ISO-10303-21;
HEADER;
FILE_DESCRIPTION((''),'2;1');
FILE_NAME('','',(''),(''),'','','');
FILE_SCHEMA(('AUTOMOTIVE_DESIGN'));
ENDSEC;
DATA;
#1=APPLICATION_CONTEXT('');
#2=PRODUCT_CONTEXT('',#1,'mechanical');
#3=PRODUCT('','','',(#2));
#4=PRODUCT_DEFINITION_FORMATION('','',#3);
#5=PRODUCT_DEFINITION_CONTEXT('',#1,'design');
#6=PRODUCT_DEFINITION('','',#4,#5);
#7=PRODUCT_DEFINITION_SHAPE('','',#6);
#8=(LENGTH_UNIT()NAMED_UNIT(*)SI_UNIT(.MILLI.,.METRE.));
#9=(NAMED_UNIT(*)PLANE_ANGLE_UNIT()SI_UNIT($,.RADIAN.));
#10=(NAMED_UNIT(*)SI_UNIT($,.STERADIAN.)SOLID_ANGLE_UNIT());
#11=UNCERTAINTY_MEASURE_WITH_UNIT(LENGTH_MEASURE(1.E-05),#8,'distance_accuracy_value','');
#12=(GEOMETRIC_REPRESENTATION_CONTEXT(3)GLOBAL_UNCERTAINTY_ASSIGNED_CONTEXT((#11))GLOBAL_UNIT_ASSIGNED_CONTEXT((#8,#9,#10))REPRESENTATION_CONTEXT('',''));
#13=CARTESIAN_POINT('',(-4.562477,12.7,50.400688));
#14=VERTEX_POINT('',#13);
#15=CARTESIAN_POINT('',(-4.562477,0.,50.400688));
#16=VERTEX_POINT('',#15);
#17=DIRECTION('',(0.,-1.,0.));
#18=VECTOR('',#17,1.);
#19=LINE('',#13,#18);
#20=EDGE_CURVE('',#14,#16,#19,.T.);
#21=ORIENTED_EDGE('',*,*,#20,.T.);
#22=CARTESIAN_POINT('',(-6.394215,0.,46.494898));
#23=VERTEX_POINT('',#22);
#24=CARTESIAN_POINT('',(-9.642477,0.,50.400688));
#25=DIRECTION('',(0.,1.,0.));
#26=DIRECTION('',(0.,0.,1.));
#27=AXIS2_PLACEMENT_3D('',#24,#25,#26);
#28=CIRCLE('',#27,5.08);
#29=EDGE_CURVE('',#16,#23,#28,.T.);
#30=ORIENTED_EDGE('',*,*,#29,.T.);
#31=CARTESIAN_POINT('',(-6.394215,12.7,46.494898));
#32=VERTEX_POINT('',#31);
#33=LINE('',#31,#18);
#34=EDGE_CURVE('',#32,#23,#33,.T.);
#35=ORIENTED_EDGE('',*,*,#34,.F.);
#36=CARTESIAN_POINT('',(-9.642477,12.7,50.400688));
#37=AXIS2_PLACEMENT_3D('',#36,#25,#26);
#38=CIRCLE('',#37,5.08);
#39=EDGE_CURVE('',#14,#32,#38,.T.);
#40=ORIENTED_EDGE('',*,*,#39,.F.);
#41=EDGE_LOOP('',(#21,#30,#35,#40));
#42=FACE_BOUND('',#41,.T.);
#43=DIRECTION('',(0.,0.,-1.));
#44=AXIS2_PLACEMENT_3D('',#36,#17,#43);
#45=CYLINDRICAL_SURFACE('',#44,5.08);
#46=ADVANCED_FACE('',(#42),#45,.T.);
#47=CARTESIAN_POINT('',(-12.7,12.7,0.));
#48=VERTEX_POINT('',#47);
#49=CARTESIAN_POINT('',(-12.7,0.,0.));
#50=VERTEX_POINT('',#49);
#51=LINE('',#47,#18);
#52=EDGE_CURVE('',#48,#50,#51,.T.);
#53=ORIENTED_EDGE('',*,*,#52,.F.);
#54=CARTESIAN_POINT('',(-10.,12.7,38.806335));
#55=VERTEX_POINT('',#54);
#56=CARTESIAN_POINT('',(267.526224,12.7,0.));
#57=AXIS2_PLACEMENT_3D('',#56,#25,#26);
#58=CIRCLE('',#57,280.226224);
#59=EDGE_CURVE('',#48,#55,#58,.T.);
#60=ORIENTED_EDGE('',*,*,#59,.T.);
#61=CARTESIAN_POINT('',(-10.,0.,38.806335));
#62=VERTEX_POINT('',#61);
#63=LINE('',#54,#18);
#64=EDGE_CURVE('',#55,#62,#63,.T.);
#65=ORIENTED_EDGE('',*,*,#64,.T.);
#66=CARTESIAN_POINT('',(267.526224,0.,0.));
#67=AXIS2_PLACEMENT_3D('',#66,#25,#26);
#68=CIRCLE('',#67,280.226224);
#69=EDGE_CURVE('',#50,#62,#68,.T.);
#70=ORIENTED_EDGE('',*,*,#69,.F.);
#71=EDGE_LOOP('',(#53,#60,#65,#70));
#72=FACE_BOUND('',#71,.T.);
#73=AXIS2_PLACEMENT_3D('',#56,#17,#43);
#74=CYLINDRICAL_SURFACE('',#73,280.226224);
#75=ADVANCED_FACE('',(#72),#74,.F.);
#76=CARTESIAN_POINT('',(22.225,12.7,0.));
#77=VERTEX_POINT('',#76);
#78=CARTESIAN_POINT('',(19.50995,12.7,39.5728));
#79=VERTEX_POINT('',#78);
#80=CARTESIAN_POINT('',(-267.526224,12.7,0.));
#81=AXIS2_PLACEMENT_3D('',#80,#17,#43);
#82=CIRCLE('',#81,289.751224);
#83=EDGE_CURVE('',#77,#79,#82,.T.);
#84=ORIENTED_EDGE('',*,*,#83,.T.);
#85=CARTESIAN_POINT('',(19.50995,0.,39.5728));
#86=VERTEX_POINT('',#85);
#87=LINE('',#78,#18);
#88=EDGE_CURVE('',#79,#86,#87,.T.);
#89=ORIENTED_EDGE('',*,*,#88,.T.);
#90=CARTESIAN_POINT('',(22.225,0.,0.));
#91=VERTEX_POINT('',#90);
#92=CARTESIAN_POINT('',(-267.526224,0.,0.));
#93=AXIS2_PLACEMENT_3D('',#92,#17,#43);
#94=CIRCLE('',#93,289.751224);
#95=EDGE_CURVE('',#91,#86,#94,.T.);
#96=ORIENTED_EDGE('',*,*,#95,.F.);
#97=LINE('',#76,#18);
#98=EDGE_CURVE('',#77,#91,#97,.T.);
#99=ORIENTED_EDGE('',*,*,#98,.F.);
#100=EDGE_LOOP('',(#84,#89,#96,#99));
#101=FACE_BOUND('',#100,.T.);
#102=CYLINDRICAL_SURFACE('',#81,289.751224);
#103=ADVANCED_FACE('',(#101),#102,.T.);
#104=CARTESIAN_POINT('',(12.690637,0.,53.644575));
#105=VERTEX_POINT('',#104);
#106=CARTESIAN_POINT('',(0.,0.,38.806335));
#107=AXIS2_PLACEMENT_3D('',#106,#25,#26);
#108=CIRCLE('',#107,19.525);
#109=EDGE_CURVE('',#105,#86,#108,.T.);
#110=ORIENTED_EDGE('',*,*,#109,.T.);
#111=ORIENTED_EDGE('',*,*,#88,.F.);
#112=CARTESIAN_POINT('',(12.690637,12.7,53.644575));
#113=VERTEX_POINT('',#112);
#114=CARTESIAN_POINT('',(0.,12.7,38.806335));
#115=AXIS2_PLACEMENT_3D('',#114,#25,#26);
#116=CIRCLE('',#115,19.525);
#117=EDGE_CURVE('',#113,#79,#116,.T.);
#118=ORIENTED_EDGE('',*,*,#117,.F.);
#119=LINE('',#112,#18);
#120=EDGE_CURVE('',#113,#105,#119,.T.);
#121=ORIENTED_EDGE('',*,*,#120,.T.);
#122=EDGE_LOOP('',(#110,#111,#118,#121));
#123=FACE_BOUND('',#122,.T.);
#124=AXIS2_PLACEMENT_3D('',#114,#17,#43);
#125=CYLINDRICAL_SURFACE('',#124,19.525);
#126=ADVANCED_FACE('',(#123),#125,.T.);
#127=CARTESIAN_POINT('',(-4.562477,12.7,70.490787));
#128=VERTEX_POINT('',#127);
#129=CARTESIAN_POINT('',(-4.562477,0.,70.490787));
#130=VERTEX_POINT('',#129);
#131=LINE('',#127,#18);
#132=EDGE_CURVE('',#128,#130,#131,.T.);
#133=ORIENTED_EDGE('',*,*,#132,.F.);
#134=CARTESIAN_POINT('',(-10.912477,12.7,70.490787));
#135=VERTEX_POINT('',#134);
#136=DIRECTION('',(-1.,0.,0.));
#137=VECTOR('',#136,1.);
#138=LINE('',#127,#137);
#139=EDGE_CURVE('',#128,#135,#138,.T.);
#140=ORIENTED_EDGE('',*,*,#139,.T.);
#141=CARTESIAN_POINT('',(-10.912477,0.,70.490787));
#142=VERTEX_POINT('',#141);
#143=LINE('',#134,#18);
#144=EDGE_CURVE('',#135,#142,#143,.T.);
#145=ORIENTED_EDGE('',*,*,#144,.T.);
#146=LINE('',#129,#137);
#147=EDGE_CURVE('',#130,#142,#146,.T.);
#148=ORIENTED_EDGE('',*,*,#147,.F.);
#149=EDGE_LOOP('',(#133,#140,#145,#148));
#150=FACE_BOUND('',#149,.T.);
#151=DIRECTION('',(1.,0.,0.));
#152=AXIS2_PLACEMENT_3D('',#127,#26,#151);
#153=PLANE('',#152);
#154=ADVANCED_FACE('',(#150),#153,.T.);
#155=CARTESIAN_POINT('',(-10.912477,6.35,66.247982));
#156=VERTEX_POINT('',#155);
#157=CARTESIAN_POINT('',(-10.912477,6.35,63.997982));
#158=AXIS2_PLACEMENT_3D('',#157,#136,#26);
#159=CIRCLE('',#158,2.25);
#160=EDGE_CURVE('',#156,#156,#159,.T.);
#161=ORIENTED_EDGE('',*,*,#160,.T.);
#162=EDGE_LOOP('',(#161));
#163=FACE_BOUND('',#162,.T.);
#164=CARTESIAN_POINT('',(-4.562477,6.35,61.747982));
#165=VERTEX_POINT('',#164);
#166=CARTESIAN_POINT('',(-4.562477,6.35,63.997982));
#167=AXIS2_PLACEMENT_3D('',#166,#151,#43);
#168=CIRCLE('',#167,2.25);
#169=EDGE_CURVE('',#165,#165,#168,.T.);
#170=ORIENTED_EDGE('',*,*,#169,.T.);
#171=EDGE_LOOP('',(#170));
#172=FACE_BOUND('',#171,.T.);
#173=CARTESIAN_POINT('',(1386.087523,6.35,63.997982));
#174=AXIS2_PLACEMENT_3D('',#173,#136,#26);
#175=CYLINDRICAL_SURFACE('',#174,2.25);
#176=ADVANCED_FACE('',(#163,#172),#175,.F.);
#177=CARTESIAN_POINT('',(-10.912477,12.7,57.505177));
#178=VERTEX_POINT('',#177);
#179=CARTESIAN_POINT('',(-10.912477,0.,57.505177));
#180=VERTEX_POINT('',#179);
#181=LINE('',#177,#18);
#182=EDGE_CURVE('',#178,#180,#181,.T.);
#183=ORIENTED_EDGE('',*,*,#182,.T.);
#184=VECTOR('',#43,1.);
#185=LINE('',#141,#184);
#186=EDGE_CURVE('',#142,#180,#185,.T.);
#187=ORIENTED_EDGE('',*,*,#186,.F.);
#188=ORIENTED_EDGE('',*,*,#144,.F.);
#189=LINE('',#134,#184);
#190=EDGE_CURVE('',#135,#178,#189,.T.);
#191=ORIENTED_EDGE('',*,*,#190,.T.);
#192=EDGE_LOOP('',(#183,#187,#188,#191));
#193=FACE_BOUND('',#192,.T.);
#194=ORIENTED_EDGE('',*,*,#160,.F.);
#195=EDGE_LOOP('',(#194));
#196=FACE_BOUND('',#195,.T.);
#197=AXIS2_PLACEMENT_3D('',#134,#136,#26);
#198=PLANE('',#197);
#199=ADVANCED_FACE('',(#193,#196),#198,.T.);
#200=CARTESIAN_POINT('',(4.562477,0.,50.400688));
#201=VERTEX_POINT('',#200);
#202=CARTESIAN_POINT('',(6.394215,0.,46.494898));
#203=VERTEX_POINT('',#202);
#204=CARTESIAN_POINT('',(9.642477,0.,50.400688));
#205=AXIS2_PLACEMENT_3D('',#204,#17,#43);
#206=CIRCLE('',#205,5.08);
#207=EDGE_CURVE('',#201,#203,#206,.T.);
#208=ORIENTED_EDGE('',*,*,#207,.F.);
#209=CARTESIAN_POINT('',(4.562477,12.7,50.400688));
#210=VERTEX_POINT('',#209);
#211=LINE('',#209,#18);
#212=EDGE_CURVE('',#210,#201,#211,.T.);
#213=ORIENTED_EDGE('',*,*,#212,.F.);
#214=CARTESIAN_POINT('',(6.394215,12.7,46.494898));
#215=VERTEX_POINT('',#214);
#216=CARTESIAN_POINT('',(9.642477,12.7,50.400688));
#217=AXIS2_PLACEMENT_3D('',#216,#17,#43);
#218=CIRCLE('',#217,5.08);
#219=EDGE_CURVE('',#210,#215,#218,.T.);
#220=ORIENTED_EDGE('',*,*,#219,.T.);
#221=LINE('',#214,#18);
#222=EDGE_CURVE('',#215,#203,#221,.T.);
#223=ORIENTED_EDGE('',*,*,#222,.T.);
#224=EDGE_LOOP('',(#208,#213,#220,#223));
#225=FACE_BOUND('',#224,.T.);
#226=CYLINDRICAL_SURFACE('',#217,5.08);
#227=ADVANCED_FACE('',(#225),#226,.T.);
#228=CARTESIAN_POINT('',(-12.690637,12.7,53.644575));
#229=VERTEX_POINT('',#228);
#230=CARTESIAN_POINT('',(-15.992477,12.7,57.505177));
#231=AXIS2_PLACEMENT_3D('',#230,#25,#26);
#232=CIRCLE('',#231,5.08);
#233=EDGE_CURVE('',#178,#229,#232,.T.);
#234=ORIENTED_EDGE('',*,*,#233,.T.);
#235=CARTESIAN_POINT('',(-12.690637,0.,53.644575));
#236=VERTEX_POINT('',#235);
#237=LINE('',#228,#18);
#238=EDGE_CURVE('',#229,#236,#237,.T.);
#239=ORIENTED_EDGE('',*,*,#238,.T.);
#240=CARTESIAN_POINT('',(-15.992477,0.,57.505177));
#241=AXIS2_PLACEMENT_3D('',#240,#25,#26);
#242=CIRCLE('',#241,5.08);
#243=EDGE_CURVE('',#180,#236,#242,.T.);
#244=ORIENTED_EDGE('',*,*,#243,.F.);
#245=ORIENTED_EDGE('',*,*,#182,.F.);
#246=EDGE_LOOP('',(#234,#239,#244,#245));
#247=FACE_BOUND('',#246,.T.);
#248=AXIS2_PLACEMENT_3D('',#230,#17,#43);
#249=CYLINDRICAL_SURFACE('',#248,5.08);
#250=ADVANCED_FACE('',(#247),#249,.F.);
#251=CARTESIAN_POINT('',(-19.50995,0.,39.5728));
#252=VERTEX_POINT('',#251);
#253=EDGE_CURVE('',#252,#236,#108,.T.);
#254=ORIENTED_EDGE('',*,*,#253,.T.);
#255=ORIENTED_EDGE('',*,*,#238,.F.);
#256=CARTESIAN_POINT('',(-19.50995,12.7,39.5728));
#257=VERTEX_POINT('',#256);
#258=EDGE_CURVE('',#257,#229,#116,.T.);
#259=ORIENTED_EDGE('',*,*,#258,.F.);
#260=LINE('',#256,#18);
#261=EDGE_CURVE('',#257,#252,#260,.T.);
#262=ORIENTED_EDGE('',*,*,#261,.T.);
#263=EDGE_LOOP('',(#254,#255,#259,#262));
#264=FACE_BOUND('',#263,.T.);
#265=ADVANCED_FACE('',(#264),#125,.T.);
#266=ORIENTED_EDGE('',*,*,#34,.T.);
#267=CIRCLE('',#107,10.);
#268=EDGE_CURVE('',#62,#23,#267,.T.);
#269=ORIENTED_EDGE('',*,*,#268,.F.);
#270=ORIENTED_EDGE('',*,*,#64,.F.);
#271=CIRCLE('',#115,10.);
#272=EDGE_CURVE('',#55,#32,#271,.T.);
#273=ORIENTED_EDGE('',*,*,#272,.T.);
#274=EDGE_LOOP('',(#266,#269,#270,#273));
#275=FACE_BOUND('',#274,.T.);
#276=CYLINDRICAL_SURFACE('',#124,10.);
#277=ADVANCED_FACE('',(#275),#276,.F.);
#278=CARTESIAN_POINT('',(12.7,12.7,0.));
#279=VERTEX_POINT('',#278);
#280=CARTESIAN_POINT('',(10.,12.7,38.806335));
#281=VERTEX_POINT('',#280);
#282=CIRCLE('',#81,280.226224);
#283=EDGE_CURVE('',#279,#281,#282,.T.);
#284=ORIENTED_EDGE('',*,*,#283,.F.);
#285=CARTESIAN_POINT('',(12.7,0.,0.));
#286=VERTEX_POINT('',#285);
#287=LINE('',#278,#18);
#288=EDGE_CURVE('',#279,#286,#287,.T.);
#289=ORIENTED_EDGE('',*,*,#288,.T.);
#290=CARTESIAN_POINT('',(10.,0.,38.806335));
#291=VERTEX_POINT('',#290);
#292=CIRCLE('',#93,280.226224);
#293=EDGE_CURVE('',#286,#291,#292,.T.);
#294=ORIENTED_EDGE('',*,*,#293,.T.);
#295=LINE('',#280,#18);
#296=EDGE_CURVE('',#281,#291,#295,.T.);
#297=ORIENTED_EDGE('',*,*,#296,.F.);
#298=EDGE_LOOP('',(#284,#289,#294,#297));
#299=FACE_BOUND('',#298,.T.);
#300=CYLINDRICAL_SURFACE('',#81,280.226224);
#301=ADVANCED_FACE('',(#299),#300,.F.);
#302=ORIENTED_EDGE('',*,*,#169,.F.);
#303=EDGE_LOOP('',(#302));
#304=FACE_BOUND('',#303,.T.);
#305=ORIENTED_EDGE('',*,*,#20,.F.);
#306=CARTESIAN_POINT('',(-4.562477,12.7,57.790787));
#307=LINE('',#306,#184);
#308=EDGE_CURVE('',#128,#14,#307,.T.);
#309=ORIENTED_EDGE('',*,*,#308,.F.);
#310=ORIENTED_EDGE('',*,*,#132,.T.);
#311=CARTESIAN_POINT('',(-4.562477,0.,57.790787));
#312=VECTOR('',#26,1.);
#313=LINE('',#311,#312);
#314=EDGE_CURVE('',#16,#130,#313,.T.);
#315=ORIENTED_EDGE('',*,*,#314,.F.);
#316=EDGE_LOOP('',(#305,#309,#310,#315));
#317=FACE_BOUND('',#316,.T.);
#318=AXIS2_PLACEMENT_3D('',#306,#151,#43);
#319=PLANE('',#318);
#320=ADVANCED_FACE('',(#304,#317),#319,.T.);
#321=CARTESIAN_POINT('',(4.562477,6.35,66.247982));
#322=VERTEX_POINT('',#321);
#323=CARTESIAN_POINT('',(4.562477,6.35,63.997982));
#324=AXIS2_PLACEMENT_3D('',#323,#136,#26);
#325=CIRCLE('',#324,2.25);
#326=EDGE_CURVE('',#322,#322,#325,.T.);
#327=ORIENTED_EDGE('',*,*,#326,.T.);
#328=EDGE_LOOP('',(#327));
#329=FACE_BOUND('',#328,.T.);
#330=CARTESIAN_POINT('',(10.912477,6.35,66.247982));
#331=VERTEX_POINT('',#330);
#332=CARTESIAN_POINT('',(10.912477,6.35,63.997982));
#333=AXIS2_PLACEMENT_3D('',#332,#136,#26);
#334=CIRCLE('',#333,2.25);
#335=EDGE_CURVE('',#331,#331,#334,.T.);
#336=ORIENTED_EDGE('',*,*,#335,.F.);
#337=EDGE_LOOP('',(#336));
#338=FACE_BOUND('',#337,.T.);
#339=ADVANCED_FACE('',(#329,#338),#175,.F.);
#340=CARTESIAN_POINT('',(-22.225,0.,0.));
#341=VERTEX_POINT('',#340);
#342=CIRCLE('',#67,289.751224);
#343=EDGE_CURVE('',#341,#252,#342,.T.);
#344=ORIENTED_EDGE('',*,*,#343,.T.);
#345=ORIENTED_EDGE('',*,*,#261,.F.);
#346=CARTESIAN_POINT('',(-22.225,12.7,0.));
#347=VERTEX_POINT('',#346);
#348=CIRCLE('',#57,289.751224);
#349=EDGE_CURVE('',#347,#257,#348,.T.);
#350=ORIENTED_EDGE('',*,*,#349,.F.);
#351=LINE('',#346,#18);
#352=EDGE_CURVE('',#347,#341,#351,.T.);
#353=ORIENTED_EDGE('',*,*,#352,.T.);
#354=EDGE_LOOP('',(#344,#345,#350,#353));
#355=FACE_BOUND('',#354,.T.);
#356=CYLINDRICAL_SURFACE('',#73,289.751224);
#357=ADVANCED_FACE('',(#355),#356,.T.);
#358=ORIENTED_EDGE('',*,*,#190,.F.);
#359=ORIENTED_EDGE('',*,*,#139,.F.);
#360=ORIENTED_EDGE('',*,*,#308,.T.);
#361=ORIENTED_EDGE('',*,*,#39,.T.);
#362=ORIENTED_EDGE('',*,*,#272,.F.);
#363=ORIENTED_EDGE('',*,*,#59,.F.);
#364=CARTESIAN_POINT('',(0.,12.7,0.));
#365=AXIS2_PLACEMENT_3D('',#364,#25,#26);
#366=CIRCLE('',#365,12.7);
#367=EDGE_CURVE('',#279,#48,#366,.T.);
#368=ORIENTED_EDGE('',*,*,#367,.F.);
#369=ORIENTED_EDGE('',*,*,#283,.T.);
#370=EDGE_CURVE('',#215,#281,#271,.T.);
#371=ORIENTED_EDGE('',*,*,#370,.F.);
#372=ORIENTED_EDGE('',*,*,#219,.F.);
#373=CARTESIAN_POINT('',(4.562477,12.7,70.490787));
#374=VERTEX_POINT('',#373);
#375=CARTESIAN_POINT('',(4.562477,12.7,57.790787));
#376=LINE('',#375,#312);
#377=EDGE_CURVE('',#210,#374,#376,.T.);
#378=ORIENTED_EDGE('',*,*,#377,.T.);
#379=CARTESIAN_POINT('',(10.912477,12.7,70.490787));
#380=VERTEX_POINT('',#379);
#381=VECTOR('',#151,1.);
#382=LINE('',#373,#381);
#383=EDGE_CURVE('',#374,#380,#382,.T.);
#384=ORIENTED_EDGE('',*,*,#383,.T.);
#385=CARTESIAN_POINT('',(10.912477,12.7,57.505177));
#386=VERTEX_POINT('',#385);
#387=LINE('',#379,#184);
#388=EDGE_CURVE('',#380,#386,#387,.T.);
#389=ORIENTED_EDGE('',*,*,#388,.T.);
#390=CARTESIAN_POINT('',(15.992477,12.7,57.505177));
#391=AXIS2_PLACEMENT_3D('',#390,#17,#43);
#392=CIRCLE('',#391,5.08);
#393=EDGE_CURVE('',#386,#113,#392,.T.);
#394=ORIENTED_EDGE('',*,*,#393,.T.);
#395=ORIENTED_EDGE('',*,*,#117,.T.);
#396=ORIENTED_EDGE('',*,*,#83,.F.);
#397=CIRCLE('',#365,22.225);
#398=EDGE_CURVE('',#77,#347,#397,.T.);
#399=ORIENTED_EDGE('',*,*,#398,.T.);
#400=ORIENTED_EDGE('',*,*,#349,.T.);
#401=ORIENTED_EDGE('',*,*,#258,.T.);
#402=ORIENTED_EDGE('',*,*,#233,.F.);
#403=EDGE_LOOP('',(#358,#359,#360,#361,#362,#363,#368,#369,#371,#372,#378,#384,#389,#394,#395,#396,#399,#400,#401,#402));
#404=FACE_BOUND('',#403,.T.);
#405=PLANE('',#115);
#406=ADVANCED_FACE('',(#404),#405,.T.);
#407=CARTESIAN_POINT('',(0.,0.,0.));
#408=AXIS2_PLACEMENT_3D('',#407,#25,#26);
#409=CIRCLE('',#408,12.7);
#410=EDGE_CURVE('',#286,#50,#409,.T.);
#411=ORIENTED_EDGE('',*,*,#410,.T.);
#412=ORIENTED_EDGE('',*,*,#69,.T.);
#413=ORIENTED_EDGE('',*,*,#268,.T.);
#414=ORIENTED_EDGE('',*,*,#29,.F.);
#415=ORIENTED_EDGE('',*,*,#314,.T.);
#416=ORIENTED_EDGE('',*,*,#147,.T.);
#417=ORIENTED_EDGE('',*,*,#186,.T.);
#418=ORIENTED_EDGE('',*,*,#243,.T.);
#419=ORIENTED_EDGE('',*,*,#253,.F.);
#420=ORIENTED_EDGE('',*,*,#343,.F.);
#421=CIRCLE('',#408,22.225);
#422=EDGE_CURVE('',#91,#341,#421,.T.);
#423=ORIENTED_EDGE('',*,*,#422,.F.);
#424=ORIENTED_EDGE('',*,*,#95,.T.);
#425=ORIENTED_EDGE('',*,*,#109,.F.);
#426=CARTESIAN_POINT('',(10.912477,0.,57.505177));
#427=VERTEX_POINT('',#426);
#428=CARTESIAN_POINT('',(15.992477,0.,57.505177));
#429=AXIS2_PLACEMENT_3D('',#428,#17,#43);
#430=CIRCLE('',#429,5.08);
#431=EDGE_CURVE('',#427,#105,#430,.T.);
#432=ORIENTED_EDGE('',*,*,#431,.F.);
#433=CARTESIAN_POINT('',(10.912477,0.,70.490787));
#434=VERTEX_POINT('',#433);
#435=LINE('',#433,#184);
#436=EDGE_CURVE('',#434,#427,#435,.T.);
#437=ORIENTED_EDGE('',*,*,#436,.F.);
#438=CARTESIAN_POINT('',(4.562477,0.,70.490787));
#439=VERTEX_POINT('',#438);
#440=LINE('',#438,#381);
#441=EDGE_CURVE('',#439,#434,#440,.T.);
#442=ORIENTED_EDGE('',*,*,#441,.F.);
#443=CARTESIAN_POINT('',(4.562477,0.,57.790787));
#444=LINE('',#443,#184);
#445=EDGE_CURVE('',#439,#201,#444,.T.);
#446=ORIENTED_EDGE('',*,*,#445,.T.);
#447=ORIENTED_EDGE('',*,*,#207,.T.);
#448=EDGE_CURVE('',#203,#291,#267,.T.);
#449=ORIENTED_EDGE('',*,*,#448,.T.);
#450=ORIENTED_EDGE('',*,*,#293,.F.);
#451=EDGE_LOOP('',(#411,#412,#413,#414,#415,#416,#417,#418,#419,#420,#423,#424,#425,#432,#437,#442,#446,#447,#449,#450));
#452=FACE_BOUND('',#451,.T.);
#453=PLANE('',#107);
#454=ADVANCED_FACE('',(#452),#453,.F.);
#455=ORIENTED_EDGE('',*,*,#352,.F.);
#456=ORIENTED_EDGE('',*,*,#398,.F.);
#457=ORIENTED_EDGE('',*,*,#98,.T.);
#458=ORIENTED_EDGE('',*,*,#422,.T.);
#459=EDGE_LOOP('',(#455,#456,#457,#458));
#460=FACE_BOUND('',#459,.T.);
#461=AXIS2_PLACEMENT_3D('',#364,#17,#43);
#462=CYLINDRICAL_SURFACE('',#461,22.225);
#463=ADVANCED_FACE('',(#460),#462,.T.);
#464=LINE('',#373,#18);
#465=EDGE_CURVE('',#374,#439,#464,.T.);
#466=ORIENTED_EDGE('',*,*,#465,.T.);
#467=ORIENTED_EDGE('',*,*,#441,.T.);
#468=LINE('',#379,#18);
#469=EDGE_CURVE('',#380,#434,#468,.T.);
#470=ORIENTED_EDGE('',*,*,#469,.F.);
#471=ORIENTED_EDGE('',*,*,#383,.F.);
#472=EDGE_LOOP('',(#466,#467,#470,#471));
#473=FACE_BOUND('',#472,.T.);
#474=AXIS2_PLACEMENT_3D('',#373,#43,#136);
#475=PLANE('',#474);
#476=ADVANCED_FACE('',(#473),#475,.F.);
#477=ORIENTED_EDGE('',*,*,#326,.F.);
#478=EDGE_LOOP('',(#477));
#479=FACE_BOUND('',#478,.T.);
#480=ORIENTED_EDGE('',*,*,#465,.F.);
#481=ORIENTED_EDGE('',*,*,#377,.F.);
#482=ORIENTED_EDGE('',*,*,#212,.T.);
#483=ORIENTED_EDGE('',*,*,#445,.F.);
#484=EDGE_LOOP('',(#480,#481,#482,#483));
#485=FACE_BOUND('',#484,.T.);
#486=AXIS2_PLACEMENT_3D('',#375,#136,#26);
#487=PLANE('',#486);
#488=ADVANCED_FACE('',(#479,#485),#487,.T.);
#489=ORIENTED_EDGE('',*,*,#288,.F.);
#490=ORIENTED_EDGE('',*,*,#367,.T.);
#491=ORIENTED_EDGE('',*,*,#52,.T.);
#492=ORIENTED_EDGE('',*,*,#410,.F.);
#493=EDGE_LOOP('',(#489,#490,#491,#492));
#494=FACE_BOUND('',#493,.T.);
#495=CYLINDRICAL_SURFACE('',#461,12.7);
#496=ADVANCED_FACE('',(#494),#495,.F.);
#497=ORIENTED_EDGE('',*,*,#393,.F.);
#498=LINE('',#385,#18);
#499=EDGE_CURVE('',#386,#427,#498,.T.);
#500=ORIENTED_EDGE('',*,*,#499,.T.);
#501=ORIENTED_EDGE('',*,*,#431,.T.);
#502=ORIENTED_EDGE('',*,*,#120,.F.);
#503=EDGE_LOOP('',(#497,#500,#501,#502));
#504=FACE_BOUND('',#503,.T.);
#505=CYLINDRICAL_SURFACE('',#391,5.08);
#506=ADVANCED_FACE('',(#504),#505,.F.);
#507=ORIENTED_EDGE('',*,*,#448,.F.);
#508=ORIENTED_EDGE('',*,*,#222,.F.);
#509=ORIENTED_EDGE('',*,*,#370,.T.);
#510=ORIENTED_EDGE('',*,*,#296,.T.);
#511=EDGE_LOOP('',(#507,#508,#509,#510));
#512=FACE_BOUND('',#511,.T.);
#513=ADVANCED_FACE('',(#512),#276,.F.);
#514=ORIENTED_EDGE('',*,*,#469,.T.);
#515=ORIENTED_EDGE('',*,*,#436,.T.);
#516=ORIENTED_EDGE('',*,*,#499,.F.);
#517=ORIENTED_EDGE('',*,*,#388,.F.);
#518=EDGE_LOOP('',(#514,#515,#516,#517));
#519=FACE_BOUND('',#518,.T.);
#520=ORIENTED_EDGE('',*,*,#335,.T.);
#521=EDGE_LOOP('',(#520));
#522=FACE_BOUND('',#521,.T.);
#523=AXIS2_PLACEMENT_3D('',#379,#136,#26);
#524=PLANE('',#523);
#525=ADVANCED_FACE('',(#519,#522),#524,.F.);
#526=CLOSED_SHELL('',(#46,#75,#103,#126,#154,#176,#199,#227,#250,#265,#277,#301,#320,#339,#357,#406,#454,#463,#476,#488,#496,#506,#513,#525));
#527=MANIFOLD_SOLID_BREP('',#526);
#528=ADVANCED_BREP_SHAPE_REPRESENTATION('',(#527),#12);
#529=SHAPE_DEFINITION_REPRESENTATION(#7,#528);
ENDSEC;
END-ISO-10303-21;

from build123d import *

# Parameters (mm, degrees)
BOSS_EXTRUDE1_DEPTH = 12.7
SKETCH3_R           = 2.249999945
CUT_EXTRUDE1_DEPTH  = 1397


with BuildPart() as part:
    # Sketch1 → Boss-Extrude1 (new body)
    with BuildSketch(Plane(origin=(0, 0, 0), x_dir=(1, 0, 0), z_dir=(0, 1, 0))):
        with BuildLine():
            Line((-4.562476894, -57.790786968), (-4.562476894, -70.490786968))
            Line((-4.562476894, -70.490786968), (-10.912476894, -70.490786968))
            Line((-10.912476894, -70.490786968), (-10.912476894, -57.505177075))
            ThreePointArc((-10.912476894, -57.505177075), (-11.378381687, -55.37996522), (-12.690636511, -53.644574779))
            ThreePointArc((-12.690636511, -53.644574779), (-17.570519454, -47.321172947), (-19.50995016, -39.572800421))
            ThreePointArc((-19.50995016, -39.572800421), (-21.545440648, -19.832914743), (-22.225, 0))
            ThreePointArc((-22.225, 0), (0, 22.225), (22.225, 0))
            ThreePointArc((22.225, 0), (21.545440648, -19.832914743), (19.50995016, -39.572800421))
            ThreePointArc((19.50995016, -39.572800421), (17.570519454, -47.321172947), (12.690636511, -53.644574779))
            ThreePointArc((12.690636511, -53.644574779), (11.378381687, -55.37996522), (10.912476894, -57.505177075))
            Line((10.912476894, -57.505177075), (10.912476894, -70.490786968))
            Line((10.912476894, -70.490786968), (4.562476894, -70.490786968))
            Line((4.562476894, -70.490786968), (4.562476894, -57.790786968))
            Line((4.562476894, -57.790786968), (4.562476894, -50.400688426))
            ThreePointArc((4.562476894, -50.400688426), (5.043152587, -48.243696093), (6.394215447, -46.494898164))
            ThreePointArc((6.394215447, -46.494898164), (9.053788005, -43.052382556), (10, -38.806334656))
            ThreePointArc((10, -38.806334656), (12.024185077, -19.450074611), (12.7, 0))
            ThreePointArc((12.7, 0), (0, 12.7), (-12.7, 0))
            ThreePointArc((-12.7, 0), (-12.024185077, -19.450074611), (-10, -38.806334656))
            ThreePointArc((-10, -38.806334656), (-9.053788005, -43.052382556), (-6.394215447, -46.494898164))
            ThreePointArc((-6.394215447, -46.494898164), (-5.043152587, -48.243696093), (-4.562476894, -50.400688426))
            Line((-4.562476894, -50.400688426), (-4.562476894, -57.790786968))
        make_face()
    extrude(amount=BOSS_EXTRUDE1_DEPTH)

    # Sketch3 → Cut-Extrude1 (cut)
    with BuildSketch(Plane.ZY.offset(10.912476894)):
        with Locations((63.997982022, 6.35)):
            Circle(SKETCH3_R)
    extrude(amount=-CUT_EXTRUDE1_DEPTH, mode=Mode.SUBTRACT)


solid = part.part
